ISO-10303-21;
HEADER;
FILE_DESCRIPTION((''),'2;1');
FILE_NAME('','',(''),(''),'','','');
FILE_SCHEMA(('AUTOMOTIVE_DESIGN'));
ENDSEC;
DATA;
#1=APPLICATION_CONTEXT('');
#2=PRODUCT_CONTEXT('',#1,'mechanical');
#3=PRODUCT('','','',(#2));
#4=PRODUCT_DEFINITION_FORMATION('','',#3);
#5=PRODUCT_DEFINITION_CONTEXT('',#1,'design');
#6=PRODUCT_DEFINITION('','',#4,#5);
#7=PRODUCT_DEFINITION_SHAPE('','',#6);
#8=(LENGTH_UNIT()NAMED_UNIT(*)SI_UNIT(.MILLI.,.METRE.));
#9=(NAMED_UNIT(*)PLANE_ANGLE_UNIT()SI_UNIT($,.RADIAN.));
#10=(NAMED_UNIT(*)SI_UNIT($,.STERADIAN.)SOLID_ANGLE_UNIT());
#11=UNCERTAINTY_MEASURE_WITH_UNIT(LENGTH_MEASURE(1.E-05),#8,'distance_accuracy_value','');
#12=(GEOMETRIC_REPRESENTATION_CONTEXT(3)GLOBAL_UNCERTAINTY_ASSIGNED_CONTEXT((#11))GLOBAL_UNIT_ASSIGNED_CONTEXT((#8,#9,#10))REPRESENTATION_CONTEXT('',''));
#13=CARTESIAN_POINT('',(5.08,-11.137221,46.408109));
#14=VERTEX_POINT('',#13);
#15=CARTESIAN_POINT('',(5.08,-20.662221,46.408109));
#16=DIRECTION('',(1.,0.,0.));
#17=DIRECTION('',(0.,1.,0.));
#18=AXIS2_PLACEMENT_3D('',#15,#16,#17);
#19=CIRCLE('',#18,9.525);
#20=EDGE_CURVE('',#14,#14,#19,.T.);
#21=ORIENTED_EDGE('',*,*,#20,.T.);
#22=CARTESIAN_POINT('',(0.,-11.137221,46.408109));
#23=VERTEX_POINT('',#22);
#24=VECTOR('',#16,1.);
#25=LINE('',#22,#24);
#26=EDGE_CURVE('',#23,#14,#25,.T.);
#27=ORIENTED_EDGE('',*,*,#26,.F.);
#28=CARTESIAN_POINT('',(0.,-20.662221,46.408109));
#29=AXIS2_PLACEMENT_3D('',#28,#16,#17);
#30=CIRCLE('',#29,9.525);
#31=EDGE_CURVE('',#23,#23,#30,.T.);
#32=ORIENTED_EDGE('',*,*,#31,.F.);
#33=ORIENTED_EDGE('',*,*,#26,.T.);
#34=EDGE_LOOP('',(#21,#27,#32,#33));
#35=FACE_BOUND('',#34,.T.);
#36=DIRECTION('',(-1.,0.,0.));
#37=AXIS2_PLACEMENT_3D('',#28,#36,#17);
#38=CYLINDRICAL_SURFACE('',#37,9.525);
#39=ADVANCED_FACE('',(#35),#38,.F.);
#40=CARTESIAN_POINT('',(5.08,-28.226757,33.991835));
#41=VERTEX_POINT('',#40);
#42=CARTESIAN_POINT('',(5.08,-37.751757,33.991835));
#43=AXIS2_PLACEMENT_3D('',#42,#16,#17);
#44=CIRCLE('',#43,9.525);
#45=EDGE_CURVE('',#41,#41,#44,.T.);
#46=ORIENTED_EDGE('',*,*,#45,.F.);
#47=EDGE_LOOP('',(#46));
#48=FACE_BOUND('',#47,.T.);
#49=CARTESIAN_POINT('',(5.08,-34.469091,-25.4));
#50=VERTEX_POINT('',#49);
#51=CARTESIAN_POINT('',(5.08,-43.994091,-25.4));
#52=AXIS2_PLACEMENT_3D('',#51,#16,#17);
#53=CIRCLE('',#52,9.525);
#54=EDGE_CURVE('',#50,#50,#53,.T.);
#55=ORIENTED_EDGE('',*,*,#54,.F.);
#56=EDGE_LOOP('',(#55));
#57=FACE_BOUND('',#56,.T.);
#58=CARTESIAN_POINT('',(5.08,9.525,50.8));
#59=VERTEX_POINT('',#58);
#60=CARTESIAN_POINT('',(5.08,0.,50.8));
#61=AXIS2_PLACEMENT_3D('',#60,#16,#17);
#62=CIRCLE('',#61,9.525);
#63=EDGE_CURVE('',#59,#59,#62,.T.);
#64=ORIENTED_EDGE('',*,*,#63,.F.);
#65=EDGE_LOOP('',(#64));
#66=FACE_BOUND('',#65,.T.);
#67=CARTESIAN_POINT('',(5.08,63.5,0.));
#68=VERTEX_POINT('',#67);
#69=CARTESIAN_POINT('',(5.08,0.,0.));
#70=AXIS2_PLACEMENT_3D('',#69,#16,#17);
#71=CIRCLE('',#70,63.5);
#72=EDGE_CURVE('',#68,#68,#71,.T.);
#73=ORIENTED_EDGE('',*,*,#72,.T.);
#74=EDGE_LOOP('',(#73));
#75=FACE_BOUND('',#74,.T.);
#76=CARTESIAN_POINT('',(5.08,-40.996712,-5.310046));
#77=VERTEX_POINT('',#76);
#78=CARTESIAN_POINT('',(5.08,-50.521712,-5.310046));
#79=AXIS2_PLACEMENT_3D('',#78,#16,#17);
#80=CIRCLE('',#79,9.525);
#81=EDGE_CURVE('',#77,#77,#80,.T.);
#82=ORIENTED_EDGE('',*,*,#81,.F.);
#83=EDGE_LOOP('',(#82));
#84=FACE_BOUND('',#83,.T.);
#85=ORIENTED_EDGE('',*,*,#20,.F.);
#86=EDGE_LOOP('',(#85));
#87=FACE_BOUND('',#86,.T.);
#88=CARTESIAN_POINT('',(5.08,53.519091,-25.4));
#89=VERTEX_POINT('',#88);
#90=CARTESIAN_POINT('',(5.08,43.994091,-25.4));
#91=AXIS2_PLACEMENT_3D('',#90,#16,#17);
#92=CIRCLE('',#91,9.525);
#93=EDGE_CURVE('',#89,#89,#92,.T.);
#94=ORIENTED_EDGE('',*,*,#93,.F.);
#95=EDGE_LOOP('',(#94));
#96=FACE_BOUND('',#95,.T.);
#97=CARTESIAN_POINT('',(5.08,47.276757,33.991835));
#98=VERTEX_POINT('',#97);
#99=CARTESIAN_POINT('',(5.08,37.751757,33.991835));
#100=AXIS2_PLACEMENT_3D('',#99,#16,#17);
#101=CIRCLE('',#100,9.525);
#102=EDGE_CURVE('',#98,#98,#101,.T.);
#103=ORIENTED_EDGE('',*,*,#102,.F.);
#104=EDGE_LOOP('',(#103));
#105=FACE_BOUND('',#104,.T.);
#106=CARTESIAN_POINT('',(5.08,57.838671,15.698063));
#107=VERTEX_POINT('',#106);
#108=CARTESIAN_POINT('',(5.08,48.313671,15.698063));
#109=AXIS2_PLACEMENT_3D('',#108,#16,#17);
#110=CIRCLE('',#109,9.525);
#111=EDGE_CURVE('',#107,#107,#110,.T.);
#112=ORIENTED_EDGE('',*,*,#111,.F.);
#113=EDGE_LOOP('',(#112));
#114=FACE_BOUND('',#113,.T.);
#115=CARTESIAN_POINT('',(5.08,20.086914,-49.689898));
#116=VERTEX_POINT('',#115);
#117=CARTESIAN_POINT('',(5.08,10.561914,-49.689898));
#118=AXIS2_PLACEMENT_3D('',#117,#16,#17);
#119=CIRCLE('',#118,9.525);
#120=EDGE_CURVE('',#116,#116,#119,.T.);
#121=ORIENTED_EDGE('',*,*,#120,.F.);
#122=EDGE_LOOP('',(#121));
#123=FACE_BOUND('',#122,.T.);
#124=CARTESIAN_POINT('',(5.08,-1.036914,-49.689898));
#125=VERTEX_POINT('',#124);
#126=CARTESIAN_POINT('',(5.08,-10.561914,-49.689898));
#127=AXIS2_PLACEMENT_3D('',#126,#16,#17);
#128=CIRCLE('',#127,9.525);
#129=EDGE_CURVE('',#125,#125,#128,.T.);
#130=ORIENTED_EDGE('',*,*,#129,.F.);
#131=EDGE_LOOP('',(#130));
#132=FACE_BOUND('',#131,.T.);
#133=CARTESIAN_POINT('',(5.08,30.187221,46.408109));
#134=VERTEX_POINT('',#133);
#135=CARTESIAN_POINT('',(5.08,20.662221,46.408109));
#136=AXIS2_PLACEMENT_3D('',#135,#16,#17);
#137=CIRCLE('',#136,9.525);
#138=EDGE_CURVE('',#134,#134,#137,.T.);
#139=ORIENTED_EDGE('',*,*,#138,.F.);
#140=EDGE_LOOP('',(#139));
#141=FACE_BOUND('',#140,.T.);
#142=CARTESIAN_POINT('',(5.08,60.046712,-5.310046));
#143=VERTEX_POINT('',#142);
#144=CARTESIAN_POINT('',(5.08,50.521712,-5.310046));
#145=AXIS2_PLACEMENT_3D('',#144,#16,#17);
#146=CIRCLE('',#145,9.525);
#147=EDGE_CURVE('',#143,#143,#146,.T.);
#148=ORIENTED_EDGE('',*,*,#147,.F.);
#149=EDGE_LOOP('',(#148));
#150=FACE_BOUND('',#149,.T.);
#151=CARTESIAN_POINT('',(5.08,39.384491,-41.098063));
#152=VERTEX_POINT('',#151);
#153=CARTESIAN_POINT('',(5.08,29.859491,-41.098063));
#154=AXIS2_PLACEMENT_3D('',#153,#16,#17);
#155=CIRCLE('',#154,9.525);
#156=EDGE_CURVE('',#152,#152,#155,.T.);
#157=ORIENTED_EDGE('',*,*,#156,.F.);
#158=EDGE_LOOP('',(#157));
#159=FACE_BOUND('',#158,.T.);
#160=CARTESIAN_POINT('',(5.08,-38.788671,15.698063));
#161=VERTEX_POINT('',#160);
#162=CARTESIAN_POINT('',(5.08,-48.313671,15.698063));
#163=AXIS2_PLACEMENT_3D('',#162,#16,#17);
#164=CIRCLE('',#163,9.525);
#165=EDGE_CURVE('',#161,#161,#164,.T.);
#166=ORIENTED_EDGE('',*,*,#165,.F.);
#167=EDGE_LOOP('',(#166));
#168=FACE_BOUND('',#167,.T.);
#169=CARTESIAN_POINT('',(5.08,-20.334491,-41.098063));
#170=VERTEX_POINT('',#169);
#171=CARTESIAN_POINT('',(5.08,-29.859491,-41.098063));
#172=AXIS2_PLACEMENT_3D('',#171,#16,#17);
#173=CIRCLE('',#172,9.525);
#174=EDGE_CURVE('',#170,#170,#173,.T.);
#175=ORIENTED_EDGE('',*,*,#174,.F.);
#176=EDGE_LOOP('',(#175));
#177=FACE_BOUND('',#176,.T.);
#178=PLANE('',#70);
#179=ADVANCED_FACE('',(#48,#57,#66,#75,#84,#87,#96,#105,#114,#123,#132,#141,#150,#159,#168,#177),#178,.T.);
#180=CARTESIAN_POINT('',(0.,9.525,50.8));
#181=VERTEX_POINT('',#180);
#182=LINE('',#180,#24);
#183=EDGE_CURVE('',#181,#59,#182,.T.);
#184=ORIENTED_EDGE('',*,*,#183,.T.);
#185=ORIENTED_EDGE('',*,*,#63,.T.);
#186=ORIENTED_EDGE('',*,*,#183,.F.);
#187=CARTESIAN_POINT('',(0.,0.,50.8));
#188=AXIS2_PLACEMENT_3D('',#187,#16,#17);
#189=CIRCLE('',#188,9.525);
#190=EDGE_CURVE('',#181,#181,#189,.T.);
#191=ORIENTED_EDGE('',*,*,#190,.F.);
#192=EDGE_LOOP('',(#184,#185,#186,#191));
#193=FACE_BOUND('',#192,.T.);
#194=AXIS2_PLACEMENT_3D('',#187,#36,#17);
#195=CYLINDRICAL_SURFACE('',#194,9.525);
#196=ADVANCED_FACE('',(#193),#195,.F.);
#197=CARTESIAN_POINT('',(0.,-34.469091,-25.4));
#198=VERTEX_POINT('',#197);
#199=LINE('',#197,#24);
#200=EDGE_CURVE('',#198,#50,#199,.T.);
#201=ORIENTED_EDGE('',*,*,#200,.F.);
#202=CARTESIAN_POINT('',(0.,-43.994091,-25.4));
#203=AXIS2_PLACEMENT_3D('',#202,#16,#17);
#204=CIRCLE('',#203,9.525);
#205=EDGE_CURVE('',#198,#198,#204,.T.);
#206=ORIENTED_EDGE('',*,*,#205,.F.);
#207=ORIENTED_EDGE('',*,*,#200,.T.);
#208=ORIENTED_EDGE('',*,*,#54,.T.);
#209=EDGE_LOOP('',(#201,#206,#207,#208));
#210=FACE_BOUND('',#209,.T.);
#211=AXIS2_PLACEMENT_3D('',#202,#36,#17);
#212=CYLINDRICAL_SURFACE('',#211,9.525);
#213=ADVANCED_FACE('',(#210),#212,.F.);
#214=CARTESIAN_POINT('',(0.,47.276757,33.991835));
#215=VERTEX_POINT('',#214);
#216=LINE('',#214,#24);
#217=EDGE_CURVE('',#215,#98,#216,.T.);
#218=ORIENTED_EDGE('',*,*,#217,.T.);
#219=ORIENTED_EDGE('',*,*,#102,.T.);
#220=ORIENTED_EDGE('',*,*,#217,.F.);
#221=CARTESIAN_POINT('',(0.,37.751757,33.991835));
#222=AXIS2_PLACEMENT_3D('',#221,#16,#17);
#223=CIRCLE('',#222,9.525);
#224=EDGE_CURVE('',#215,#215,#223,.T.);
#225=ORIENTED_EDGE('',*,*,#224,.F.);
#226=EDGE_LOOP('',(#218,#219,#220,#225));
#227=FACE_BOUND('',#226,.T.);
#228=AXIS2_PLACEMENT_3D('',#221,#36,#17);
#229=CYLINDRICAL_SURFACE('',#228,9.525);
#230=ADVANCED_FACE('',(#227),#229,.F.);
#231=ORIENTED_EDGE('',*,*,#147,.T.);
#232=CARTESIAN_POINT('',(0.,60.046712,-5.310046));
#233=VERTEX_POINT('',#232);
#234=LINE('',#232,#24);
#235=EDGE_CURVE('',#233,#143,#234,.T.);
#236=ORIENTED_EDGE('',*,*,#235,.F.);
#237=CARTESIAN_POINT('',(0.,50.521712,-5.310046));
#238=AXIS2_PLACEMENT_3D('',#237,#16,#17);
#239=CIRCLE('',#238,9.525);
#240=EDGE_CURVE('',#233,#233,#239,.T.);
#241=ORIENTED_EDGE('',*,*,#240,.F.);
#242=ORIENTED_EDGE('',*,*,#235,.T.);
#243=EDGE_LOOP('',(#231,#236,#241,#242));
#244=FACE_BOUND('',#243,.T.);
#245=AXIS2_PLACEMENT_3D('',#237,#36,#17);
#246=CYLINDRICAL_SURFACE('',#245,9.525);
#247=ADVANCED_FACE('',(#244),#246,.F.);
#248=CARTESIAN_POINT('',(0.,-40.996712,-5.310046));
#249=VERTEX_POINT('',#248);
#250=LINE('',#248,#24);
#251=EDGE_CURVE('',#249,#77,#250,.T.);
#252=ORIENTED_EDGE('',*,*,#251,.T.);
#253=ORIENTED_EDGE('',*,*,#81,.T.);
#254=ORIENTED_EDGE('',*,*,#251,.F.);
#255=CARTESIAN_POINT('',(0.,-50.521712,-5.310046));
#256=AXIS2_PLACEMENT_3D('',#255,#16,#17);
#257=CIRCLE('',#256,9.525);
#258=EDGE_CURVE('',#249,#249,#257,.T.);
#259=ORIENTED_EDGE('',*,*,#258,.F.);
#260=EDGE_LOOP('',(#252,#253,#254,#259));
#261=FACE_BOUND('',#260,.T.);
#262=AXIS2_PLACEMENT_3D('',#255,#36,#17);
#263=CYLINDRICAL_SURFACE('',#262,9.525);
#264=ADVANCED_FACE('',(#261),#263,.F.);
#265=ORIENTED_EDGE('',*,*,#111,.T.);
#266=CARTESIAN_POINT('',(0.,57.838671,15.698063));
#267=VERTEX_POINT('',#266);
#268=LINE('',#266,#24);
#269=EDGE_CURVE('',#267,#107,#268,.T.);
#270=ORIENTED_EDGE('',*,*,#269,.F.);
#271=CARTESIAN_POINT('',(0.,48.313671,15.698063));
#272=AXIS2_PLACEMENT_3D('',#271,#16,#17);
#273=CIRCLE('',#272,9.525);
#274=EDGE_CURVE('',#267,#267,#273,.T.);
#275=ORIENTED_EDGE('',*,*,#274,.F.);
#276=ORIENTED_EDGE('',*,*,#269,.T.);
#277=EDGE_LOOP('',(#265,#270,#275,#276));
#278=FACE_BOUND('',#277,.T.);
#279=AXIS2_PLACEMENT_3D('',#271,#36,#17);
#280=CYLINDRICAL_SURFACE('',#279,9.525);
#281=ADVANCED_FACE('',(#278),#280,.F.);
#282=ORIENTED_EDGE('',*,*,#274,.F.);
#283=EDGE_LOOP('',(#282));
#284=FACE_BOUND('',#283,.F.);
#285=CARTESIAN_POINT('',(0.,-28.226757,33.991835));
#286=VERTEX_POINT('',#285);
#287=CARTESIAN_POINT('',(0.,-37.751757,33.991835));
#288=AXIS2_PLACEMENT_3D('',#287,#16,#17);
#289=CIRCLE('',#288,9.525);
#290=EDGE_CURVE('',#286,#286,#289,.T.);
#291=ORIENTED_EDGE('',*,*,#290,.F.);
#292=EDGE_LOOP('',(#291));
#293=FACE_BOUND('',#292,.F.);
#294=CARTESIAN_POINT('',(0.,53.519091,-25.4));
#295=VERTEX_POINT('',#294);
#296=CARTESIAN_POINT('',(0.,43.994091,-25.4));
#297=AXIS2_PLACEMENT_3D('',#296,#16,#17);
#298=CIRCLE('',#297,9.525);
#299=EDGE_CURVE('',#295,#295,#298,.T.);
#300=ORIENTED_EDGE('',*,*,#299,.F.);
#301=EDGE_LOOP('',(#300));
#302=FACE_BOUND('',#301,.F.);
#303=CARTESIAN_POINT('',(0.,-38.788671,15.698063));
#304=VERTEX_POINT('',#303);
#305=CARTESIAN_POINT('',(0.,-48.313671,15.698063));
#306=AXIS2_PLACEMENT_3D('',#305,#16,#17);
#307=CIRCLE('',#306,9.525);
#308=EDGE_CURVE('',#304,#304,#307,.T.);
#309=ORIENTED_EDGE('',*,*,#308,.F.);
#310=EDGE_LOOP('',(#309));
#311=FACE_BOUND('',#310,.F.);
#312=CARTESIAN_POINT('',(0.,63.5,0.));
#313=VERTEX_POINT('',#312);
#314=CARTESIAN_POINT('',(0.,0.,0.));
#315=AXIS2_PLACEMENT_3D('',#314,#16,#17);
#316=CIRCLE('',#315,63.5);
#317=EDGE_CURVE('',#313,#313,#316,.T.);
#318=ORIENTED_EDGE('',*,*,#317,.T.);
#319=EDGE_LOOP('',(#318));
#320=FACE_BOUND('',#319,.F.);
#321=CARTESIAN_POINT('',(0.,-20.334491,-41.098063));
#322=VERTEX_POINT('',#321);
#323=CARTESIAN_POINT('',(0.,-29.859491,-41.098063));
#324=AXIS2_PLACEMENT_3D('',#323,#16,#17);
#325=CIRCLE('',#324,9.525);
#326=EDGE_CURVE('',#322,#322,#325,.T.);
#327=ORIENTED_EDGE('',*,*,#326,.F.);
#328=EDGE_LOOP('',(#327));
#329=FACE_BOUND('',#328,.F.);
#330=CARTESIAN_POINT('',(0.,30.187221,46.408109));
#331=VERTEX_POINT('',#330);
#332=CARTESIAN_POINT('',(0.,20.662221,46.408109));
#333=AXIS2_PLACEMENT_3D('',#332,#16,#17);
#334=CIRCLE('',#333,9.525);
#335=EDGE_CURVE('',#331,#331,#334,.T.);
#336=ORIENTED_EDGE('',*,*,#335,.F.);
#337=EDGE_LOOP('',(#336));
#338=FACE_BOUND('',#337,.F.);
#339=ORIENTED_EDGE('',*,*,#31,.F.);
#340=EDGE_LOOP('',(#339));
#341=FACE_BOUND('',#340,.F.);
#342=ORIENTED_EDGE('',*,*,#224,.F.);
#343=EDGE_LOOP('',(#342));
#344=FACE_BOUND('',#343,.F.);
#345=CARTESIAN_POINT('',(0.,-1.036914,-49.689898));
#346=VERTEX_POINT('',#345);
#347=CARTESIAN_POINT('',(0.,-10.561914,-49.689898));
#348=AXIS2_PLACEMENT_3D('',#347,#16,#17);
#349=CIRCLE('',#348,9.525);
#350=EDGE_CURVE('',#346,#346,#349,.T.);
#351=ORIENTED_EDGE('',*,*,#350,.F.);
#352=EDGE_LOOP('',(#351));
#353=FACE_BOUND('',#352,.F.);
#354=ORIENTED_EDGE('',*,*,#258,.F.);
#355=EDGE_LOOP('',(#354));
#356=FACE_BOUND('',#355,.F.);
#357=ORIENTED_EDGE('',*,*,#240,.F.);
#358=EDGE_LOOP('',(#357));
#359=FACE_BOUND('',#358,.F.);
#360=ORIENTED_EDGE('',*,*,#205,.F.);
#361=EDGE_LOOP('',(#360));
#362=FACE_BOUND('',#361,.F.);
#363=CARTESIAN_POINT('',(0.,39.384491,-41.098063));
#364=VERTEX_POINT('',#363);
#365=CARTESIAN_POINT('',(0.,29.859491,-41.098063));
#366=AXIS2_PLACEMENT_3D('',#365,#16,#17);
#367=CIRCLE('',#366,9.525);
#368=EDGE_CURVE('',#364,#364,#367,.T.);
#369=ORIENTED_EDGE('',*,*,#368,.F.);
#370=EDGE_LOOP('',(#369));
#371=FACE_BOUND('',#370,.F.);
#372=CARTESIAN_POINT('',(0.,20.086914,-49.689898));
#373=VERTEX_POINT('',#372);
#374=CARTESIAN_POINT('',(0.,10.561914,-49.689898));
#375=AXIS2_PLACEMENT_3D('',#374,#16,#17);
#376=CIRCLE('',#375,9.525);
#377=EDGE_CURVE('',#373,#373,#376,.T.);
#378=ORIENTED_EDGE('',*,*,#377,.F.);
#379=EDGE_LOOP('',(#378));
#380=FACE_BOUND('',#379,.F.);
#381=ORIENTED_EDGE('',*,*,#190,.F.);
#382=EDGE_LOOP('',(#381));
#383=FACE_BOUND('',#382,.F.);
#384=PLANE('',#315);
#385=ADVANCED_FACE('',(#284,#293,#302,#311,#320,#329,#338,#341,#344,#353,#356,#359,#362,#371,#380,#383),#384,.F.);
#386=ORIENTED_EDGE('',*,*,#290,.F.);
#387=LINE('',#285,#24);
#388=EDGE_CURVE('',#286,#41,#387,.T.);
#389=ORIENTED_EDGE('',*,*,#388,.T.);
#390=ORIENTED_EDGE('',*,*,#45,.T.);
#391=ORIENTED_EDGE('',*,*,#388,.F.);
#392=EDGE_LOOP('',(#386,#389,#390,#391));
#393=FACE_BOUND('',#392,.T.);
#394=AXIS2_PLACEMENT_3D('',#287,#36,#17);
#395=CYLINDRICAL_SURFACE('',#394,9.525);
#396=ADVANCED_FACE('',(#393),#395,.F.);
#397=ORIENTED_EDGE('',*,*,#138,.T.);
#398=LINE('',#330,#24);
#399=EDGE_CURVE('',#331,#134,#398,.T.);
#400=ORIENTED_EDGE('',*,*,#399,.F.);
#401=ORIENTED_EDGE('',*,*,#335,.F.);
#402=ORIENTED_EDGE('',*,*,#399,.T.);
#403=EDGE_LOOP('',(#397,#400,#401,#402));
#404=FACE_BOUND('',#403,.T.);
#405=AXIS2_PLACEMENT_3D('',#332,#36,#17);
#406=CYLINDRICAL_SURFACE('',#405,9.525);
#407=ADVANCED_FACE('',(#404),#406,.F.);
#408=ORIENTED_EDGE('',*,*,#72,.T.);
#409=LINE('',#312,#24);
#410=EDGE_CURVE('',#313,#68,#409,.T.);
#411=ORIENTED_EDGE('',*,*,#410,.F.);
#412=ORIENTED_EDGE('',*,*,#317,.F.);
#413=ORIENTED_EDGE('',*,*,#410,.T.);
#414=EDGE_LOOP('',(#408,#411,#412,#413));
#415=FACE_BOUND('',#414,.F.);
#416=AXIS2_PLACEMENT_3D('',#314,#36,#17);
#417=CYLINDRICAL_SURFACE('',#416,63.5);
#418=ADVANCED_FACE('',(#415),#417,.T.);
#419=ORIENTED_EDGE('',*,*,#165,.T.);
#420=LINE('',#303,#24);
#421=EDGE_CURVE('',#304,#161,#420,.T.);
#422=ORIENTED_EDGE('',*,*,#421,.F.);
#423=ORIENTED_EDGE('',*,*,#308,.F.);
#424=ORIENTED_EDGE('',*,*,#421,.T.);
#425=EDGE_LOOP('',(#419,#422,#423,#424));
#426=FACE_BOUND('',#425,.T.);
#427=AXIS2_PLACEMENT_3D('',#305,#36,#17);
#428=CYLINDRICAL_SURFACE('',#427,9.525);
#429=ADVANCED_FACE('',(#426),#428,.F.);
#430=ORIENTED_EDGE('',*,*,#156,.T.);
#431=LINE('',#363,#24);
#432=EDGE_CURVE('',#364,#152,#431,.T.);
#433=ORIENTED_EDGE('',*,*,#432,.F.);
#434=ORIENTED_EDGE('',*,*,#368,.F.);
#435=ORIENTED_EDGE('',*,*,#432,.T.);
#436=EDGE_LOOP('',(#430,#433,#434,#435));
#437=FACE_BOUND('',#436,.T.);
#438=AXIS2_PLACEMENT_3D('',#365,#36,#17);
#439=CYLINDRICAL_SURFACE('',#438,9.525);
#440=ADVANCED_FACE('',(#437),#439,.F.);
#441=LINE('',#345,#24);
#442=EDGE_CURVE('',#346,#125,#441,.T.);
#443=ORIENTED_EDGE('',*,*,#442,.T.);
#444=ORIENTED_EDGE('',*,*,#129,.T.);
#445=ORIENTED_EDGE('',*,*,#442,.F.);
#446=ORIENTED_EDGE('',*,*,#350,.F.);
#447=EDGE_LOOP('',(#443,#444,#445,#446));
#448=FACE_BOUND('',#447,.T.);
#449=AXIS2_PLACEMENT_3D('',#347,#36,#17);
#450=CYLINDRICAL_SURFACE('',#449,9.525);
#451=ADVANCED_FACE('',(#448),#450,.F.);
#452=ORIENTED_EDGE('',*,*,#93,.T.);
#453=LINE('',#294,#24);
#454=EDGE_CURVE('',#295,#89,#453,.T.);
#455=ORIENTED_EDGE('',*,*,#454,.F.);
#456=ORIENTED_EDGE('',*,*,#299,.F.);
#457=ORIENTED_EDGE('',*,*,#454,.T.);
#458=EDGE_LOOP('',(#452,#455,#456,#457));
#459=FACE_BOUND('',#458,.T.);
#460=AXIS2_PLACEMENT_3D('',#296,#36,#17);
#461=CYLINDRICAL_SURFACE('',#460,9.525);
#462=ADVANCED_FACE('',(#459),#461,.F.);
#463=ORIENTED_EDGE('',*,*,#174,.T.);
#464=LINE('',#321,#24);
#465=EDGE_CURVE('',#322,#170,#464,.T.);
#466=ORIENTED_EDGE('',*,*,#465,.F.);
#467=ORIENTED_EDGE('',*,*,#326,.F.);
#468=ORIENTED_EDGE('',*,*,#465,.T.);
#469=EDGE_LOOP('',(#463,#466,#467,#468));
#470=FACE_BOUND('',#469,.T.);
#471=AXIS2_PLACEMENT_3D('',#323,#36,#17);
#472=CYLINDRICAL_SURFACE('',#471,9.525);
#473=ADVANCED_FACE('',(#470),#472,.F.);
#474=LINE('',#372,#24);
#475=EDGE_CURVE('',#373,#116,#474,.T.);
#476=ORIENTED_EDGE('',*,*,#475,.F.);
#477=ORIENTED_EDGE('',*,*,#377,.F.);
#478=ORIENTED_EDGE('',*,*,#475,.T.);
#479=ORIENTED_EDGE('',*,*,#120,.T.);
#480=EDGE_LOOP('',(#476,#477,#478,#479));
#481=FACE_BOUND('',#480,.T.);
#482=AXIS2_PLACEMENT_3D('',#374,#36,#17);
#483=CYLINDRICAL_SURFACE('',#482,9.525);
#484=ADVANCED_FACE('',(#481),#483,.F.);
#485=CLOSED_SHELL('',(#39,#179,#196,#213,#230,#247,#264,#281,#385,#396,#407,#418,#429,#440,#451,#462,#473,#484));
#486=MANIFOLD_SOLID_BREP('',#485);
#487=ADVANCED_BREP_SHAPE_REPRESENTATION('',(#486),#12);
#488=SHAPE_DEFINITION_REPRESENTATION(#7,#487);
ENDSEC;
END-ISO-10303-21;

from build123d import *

# Parameters (mm, degrees)
F0_R     = 63.5
F0_R_2   = 9.525
F1_DEPTH = 5.08


with BuildPart() as f1:
    # F0 (on Right) → F1 (new body)
    with BuildSketch(Plane.YZ):
        Circle(F0_R)
        with Locations((-10.561914, -49.689898)):
            Circle(F0_R_2, mode=Mode.SUBTRACT)
        with Locations((-29.859491, -41.098063)):
            Circle(F0_R_2, mode=Mode.SUBTRACT)
        with Locations((-43.994091, -25.4)):
            Circle(F0_R_2, mode=Mode.SUBTRACT)
        with Locations((-50.521712, -5.310046)):
            Circle(F0_R_2, mode=Mode.SUBTRACT)
        with Locations((10.561914, -49.689898)):
            Circle(F0_R_2, mode=Mode.SUBTRACT)
        with Locations((29.859491, -41.098063)):
            Circle(F0_R_2, mode=Mode.SUBTRACT)
        with Locations((43.994091, -25.4)):
            Circle(F0_R_2, mode=Mode.SUBTRACT)
        with Locations((50.521712, -5.310046)):
            Circle(F0_R_2, mode=Mode.SUBTRACT)
        with Locations((-48.313671, 15.698063)):
            Circle(F0_R_2, mode=Mode.SUBTRACT)
        with Locations((-37.751757, 33.991835)):
            Circle(F0_R_2, mode=Mode.SUBTRACT)
        with Locations((-20.662221, 46.408109)):
            Circle(F0_R_2, mode=Mode.SUBTRACT)
        with Locations((48.313671, 15.698063)):
            Circle(F0_R_2, mode=Mode.SUBTRACT)
        with Locations((20.662221, 46.408109)):
            Circle(F0_R_2, mode=Mode.SUBTRACT)
        with Locations((0, 50.8)):
            Circle(F0_R_2, mode=Mode.SUBTRACT)
        with Locations((37.751757, 33.991835)):
            Circle(F0_R_2, mode=Mode.SUBTRACT)
    extrude(amount=F1_DEPTH)


solid = f1.part
